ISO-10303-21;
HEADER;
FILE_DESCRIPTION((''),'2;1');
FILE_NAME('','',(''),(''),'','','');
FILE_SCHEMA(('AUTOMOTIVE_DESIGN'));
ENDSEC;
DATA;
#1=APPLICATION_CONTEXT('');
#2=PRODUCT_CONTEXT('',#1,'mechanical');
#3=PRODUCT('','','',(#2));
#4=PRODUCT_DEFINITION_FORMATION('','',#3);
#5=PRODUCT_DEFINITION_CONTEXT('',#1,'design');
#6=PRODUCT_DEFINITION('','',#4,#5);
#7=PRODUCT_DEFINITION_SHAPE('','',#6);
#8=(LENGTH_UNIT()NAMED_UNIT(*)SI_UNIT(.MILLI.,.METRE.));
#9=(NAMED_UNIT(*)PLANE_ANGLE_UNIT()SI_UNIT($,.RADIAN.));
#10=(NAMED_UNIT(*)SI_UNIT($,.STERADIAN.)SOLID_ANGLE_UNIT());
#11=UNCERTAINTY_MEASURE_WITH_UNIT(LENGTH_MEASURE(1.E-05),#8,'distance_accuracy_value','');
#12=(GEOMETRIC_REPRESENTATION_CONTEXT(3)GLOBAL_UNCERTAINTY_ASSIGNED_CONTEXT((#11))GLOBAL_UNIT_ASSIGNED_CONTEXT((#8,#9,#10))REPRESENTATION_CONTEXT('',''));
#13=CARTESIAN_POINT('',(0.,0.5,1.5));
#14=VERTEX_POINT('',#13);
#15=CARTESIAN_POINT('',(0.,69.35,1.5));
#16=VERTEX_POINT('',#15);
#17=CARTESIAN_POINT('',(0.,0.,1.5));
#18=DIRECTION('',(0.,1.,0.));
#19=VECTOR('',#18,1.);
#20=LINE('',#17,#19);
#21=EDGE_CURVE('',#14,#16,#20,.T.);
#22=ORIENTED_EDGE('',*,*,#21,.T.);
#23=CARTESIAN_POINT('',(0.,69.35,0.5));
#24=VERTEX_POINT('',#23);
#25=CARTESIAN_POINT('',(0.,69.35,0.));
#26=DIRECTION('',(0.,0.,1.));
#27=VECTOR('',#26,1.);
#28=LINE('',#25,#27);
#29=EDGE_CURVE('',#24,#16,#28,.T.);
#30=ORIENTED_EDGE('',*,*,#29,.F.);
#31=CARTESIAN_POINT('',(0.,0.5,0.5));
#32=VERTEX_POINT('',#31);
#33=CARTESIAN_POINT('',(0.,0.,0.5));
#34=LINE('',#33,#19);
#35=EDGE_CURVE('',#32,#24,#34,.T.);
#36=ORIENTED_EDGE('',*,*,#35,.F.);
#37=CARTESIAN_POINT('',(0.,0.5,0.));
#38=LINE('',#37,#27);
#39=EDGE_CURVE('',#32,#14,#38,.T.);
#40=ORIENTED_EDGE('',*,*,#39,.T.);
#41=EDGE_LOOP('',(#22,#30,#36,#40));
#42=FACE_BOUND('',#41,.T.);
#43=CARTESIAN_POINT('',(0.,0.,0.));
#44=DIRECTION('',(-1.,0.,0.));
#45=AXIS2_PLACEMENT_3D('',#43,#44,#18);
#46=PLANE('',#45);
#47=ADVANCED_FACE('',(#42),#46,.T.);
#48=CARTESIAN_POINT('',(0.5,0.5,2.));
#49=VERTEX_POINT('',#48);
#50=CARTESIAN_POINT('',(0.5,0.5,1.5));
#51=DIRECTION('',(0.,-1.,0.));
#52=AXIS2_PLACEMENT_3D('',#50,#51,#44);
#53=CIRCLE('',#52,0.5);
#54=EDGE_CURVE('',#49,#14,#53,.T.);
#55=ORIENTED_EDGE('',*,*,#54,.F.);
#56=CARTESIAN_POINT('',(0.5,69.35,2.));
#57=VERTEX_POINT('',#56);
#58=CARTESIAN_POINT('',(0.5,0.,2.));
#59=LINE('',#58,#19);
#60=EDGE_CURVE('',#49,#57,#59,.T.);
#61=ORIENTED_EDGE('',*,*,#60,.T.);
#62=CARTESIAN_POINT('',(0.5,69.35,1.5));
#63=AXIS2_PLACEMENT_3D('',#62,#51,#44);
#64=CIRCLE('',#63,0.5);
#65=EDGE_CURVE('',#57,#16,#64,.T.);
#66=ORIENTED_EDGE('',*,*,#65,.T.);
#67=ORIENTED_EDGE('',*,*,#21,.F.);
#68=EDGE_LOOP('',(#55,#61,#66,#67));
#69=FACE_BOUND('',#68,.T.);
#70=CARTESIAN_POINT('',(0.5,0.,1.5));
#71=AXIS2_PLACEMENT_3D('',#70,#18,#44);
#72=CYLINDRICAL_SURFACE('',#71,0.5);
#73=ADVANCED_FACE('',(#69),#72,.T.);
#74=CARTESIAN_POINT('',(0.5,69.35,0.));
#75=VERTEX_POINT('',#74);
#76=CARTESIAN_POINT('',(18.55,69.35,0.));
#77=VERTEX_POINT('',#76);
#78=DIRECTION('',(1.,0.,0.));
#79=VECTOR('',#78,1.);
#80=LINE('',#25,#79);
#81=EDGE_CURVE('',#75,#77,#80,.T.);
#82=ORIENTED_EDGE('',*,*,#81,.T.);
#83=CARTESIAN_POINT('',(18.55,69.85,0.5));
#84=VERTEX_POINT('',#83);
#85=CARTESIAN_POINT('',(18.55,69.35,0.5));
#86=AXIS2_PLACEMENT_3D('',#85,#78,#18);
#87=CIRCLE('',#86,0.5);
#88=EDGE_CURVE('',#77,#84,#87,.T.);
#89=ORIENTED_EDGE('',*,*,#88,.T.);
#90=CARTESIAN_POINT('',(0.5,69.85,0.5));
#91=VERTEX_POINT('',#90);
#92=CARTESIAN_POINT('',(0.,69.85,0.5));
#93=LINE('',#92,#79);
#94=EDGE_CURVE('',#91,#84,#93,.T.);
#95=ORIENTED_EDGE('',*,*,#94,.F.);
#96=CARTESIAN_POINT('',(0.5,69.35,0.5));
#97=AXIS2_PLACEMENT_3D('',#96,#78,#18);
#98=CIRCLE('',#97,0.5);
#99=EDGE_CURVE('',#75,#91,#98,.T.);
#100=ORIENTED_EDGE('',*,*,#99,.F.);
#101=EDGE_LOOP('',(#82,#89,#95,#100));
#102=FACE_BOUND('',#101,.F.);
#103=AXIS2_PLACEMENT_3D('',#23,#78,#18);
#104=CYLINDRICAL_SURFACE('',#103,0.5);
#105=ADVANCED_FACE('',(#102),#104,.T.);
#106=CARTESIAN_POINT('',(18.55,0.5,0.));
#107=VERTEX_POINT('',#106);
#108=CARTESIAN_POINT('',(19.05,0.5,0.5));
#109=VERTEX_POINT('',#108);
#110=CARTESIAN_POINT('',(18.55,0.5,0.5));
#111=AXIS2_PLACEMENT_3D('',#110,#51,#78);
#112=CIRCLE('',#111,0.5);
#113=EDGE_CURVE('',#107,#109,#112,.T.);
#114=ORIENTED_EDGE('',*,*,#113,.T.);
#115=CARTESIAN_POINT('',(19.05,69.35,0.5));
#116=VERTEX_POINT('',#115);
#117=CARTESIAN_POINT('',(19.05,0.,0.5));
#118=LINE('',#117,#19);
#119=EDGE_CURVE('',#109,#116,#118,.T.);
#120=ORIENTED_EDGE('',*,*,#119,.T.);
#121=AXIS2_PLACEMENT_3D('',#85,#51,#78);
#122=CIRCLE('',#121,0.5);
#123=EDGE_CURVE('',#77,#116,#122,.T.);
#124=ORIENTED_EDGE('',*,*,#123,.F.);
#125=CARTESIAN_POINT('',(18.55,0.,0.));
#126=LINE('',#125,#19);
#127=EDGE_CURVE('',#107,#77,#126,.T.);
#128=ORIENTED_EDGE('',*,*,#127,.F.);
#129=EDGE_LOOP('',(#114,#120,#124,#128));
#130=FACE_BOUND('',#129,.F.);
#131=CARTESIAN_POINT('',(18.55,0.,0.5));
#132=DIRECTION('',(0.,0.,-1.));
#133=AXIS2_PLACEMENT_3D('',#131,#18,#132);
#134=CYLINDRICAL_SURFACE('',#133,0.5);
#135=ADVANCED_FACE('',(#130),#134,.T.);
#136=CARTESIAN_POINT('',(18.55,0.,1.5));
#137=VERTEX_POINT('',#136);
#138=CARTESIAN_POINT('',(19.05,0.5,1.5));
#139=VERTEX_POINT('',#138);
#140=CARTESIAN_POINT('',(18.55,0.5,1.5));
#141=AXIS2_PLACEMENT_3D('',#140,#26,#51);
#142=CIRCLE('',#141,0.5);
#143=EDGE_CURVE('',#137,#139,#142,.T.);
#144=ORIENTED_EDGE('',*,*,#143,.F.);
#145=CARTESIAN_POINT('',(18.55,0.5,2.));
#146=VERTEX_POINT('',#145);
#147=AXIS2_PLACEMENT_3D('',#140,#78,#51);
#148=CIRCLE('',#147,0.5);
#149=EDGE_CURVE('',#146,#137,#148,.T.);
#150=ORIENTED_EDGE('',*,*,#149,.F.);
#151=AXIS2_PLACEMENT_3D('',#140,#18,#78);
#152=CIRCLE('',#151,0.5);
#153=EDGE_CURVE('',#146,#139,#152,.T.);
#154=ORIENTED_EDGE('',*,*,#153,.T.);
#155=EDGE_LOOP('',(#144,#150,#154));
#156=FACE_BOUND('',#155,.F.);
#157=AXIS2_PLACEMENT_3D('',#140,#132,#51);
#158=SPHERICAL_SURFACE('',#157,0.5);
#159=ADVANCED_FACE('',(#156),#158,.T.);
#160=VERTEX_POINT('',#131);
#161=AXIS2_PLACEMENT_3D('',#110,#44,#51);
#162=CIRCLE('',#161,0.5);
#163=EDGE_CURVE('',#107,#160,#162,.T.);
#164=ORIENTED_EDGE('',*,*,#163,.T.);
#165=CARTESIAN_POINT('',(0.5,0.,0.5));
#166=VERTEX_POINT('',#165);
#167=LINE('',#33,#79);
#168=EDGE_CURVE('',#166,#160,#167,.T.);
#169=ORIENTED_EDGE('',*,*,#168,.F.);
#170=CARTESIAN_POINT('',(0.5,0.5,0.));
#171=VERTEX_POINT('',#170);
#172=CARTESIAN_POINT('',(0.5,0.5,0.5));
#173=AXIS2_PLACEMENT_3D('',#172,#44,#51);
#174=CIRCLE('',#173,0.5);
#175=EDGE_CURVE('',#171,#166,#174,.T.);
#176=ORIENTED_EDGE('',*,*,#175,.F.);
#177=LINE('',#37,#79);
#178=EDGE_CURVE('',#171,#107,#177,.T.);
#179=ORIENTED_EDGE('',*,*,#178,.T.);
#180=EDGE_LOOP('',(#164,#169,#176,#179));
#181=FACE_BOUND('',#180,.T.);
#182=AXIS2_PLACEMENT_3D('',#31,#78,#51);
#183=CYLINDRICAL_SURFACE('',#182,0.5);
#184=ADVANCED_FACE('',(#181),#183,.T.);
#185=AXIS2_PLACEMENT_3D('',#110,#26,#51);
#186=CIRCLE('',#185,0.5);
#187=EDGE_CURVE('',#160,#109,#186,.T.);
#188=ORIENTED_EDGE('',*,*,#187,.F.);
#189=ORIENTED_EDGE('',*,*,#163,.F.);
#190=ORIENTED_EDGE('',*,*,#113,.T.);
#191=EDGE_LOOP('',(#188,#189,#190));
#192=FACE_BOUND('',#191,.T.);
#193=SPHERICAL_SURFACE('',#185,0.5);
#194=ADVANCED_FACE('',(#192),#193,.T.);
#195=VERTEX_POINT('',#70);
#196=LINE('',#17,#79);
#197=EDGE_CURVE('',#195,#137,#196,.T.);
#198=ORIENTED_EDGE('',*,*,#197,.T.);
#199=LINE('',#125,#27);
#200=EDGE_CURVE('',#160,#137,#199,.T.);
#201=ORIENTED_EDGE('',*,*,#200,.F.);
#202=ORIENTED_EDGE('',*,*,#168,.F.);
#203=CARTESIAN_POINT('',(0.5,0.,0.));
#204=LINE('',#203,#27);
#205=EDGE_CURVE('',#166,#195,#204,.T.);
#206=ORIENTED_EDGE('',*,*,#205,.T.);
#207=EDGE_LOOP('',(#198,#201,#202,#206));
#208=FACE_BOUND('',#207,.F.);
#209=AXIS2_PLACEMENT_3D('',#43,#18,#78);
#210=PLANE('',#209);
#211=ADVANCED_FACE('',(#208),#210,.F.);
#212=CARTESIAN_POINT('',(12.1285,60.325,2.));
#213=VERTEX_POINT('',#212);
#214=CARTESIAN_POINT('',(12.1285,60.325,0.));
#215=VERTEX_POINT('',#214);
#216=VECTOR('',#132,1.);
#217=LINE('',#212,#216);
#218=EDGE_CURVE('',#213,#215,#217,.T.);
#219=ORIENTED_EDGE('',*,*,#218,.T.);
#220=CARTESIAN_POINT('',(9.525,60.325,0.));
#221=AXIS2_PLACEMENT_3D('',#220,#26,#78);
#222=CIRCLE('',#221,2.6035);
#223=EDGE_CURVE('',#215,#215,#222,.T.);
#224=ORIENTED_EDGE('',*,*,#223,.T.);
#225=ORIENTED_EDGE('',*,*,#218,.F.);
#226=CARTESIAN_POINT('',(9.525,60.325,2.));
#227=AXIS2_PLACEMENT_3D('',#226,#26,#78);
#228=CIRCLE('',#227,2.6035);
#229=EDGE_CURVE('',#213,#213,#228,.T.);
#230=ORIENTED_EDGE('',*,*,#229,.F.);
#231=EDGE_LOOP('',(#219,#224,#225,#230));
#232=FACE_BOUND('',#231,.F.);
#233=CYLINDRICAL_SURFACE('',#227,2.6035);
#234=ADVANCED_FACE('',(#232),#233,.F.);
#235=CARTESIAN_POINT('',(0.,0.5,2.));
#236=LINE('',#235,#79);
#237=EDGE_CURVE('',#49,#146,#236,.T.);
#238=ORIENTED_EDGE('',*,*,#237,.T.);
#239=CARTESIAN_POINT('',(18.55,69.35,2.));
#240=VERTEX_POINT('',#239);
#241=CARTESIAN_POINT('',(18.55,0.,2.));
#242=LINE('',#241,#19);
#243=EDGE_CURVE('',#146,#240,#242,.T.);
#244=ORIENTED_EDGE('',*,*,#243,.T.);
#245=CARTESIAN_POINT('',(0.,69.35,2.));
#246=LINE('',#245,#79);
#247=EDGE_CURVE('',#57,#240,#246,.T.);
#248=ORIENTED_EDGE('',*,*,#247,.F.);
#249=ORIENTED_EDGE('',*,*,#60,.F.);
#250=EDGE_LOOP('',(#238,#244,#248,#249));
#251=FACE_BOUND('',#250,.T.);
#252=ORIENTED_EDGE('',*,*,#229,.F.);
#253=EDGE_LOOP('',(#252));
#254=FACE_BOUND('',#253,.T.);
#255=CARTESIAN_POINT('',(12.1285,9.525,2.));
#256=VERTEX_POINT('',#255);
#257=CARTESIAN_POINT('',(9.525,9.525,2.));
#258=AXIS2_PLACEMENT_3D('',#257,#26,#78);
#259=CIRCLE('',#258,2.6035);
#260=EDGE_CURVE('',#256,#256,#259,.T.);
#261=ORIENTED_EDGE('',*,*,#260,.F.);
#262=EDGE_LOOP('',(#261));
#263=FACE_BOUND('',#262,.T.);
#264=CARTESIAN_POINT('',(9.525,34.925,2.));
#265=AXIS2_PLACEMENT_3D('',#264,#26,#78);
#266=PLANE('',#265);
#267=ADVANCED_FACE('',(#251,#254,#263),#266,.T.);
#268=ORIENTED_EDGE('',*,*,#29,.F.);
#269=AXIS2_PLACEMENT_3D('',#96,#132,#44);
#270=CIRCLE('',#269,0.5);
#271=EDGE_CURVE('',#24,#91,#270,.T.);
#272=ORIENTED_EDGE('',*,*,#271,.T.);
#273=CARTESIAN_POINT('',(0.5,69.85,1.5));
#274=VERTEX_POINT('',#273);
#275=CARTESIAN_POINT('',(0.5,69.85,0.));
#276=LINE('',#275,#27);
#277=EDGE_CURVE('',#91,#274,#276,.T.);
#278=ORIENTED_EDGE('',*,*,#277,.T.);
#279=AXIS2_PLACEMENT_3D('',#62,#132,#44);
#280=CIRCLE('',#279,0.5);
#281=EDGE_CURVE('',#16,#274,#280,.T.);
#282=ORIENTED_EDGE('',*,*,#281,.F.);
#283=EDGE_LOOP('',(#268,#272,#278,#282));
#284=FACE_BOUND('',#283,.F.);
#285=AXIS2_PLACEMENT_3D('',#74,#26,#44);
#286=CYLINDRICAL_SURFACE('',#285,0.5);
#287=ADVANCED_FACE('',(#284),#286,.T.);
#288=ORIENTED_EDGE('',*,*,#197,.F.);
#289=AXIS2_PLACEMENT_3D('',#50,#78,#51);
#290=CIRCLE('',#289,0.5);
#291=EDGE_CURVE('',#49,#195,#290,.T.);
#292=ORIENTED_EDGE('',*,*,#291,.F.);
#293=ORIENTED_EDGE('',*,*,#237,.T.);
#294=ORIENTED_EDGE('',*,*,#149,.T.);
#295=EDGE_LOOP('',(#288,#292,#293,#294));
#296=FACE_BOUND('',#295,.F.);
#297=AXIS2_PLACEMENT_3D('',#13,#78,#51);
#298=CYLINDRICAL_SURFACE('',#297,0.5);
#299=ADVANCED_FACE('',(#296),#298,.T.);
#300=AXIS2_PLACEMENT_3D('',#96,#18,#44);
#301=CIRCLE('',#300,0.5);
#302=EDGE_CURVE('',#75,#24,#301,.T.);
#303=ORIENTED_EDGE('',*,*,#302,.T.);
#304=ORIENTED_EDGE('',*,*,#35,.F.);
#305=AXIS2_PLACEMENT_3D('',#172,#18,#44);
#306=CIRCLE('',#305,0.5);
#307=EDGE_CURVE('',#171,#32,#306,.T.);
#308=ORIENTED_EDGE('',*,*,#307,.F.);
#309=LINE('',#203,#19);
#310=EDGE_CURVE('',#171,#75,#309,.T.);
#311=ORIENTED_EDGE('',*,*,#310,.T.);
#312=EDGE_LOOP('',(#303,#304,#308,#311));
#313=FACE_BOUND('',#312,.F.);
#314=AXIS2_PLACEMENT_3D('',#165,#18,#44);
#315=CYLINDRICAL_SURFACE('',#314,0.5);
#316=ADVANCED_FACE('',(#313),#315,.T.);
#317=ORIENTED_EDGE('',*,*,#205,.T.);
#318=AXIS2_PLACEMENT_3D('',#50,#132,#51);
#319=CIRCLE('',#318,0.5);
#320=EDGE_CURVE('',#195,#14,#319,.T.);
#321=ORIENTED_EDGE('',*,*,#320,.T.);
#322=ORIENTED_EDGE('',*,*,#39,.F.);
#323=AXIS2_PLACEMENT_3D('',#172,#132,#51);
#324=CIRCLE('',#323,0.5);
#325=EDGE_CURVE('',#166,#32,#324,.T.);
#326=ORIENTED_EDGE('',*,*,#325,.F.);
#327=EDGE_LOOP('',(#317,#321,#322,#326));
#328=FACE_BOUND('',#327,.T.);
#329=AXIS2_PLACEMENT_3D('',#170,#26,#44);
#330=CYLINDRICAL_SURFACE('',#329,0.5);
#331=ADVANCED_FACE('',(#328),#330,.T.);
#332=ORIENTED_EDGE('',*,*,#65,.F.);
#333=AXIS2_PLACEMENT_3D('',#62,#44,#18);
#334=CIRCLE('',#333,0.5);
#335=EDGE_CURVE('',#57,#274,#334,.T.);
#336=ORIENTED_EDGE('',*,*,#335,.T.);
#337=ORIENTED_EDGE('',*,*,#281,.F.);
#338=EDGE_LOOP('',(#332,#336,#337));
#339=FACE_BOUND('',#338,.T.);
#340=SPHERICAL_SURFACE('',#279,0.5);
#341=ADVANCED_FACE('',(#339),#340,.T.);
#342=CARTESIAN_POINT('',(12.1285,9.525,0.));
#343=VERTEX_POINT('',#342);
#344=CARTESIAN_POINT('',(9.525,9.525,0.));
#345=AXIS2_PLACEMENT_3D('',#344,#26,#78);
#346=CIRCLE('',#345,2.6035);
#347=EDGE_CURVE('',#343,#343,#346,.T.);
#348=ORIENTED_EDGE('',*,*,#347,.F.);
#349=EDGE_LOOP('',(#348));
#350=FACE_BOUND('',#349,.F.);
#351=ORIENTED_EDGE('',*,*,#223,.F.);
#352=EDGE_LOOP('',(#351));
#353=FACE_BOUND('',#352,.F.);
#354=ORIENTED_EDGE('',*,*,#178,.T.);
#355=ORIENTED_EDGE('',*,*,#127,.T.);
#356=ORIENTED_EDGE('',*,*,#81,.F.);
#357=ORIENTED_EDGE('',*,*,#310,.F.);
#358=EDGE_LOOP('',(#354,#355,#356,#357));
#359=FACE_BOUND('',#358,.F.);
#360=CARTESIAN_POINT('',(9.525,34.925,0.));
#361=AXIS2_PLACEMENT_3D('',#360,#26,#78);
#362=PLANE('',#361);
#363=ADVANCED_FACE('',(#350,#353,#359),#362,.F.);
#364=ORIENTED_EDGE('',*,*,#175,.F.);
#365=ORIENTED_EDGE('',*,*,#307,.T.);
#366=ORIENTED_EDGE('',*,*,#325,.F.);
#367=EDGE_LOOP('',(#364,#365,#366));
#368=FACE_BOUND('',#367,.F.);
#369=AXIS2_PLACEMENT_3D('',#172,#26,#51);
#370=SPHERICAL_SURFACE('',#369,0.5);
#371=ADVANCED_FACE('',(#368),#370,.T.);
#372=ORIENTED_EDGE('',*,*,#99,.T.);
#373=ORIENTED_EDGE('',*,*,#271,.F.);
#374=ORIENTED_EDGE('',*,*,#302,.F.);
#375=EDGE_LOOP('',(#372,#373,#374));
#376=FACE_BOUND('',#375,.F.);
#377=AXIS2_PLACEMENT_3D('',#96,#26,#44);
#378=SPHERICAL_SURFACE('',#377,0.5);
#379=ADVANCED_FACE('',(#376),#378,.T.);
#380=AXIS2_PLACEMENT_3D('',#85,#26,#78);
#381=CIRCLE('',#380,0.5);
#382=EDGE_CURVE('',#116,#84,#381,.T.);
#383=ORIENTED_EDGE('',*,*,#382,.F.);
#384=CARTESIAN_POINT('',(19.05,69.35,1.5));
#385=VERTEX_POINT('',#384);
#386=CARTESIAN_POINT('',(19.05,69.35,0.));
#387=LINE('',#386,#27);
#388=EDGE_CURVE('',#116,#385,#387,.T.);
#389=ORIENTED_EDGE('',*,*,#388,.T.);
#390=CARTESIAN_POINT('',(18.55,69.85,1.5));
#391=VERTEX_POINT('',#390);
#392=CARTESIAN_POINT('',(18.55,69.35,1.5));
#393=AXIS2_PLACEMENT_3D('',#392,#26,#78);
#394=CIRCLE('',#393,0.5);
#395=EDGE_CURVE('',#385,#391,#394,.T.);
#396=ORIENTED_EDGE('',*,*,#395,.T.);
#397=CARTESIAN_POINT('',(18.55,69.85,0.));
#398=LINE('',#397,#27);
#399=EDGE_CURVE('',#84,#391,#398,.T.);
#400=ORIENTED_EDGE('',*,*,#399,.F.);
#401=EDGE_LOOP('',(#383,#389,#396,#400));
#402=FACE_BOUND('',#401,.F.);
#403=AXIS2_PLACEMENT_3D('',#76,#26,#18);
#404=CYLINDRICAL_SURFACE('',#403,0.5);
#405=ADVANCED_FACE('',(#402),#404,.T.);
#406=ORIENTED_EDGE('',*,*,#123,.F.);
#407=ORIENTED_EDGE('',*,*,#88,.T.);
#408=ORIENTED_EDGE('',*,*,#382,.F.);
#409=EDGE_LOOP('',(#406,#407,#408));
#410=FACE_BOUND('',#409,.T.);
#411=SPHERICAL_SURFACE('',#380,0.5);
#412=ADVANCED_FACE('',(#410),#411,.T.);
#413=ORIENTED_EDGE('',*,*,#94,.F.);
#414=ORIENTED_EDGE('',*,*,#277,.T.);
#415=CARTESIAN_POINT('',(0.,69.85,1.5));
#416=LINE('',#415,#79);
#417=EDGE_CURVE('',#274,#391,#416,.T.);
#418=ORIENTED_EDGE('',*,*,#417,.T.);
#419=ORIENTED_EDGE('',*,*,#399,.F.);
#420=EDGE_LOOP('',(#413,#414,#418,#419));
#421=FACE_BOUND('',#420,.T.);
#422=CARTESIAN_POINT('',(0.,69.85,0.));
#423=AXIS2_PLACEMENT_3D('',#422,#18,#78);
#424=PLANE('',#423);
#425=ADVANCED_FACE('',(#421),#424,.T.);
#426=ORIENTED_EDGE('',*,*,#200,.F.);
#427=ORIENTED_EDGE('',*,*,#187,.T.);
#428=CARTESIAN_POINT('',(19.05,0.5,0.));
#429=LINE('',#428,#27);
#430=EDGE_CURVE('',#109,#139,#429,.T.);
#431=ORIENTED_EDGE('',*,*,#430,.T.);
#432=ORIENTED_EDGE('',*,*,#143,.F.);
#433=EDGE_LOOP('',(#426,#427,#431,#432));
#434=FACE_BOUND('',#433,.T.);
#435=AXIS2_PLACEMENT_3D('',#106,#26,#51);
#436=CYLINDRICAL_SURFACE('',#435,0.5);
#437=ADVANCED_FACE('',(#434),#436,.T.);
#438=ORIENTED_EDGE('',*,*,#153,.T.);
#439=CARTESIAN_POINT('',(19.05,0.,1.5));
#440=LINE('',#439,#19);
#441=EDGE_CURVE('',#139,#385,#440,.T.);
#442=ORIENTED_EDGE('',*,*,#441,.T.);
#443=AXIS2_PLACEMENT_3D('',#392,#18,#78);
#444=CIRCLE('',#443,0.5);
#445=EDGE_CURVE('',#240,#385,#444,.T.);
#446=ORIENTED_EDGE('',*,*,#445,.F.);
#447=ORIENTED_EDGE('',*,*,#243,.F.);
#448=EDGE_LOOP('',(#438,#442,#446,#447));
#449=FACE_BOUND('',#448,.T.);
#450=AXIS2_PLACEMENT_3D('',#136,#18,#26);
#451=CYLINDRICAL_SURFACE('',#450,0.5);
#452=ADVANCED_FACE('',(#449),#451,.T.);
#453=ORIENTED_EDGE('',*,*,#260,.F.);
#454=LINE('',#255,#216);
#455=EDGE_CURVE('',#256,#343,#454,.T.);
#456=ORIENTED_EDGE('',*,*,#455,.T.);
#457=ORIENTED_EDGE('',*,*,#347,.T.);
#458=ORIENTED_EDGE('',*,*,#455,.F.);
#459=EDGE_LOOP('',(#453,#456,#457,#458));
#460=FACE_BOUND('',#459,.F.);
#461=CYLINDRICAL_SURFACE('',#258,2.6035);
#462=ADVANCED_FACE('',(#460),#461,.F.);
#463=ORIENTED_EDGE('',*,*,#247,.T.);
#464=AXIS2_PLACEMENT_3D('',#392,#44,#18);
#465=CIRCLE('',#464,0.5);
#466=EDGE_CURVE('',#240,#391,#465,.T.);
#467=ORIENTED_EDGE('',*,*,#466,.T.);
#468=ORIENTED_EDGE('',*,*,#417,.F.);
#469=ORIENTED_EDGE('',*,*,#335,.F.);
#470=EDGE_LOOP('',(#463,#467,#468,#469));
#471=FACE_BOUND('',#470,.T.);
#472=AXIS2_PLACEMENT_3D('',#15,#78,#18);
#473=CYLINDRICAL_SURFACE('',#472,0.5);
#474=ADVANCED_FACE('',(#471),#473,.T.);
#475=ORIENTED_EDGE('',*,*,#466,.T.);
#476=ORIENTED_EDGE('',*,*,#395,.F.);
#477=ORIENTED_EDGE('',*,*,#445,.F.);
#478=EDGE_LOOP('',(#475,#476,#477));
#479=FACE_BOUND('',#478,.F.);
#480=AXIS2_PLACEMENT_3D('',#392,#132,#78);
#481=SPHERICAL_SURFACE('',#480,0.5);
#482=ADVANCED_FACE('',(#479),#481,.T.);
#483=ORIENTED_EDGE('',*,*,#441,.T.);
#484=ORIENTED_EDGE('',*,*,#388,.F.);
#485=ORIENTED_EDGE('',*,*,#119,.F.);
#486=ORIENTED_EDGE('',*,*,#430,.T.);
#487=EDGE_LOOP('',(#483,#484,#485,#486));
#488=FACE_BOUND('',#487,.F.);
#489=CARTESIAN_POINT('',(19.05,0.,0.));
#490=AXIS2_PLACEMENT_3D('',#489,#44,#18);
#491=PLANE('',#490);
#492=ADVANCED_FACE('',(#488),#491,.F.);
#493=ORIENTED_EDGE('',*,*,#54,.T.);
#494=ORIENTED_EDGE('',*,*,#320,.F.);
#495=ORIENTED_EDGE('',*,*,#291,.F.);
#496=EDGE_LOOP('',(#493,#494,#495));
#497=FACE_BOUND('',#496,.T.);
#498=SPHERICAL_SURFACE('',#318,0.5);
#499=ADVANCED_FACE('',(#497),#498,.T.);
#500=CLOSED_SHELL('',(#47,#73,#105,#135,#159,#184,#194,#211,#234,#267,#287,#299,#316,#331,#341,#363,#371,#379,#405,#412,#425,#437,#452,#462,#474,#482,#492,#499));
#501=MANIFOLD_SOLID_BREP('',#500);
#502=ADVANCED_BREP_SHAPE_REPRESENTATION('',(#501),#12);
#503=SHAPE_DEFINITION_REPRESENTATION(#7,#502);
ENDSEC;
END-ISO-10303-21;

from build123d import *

# Parameters (mm, degrees)
SKETCH022_W         = 19.05
SKETCH022_H         = 69.85
PAD009_DEPTH        = 2
SKETCH023_R         = 2.6035
POCKET011_DEPTH     = 2.001
LINEARPATTERN_COUNT = 2
LINEARPATTERN_PITCH = 50.8
FILLET008_R         = 0.5


with BuildPart() as part:
    # Sketch022 → Pad009 (new body)
    with BuildSketch(Plane.XY):
        with Locations((9.525, 34.925)):
            Rectangle(SKETCH022_W, SKETCH022_H)
    extrude(amount=PAD009_DEPTH)

    # Sketch023 (on Face6 of Pad009) → Pocket011 (cut, through all)
    with BuildSketch(Plane.XY.offset(2)):
        with Locations((9.525, 9.525)):
            Circle(SKETCH023_R)
    pocket011 = extrude(amount=-POCKET011_DEPTH, mode=Mode.SUBTRACT)

    # LinearPattern: Pocket011 ×2
    with Locations(*[(0, i * LINEARPATTERN_PITCH, 0) for i in range(1, LINEARPATTERN_COUNT)]):
        add(pocket011, mode=Mode.SUBTRACT)

    # Fillet008
    fillet008_edges = [part.edges().sort_by_distance(p)[0] for p in [
        (0, 0, 1),
        (19.05, 0, 1),
        (9.525, 0, 0),
        (9.525, 0, 2),
        (19.05, 69.85, 1),
        (19.05, 34.925, 0),
        (19.05, 34.925, 2),
        (0, 69.85, 1),
        (0, 34.925, 0),
        (0, 34.925, 2),
        (9.525, 69.85, 0),
        (9.525, 69.85, 2),
    ]]
    fillet(fillet008_edges, radius=FILLET008_R)


solid = part.part
